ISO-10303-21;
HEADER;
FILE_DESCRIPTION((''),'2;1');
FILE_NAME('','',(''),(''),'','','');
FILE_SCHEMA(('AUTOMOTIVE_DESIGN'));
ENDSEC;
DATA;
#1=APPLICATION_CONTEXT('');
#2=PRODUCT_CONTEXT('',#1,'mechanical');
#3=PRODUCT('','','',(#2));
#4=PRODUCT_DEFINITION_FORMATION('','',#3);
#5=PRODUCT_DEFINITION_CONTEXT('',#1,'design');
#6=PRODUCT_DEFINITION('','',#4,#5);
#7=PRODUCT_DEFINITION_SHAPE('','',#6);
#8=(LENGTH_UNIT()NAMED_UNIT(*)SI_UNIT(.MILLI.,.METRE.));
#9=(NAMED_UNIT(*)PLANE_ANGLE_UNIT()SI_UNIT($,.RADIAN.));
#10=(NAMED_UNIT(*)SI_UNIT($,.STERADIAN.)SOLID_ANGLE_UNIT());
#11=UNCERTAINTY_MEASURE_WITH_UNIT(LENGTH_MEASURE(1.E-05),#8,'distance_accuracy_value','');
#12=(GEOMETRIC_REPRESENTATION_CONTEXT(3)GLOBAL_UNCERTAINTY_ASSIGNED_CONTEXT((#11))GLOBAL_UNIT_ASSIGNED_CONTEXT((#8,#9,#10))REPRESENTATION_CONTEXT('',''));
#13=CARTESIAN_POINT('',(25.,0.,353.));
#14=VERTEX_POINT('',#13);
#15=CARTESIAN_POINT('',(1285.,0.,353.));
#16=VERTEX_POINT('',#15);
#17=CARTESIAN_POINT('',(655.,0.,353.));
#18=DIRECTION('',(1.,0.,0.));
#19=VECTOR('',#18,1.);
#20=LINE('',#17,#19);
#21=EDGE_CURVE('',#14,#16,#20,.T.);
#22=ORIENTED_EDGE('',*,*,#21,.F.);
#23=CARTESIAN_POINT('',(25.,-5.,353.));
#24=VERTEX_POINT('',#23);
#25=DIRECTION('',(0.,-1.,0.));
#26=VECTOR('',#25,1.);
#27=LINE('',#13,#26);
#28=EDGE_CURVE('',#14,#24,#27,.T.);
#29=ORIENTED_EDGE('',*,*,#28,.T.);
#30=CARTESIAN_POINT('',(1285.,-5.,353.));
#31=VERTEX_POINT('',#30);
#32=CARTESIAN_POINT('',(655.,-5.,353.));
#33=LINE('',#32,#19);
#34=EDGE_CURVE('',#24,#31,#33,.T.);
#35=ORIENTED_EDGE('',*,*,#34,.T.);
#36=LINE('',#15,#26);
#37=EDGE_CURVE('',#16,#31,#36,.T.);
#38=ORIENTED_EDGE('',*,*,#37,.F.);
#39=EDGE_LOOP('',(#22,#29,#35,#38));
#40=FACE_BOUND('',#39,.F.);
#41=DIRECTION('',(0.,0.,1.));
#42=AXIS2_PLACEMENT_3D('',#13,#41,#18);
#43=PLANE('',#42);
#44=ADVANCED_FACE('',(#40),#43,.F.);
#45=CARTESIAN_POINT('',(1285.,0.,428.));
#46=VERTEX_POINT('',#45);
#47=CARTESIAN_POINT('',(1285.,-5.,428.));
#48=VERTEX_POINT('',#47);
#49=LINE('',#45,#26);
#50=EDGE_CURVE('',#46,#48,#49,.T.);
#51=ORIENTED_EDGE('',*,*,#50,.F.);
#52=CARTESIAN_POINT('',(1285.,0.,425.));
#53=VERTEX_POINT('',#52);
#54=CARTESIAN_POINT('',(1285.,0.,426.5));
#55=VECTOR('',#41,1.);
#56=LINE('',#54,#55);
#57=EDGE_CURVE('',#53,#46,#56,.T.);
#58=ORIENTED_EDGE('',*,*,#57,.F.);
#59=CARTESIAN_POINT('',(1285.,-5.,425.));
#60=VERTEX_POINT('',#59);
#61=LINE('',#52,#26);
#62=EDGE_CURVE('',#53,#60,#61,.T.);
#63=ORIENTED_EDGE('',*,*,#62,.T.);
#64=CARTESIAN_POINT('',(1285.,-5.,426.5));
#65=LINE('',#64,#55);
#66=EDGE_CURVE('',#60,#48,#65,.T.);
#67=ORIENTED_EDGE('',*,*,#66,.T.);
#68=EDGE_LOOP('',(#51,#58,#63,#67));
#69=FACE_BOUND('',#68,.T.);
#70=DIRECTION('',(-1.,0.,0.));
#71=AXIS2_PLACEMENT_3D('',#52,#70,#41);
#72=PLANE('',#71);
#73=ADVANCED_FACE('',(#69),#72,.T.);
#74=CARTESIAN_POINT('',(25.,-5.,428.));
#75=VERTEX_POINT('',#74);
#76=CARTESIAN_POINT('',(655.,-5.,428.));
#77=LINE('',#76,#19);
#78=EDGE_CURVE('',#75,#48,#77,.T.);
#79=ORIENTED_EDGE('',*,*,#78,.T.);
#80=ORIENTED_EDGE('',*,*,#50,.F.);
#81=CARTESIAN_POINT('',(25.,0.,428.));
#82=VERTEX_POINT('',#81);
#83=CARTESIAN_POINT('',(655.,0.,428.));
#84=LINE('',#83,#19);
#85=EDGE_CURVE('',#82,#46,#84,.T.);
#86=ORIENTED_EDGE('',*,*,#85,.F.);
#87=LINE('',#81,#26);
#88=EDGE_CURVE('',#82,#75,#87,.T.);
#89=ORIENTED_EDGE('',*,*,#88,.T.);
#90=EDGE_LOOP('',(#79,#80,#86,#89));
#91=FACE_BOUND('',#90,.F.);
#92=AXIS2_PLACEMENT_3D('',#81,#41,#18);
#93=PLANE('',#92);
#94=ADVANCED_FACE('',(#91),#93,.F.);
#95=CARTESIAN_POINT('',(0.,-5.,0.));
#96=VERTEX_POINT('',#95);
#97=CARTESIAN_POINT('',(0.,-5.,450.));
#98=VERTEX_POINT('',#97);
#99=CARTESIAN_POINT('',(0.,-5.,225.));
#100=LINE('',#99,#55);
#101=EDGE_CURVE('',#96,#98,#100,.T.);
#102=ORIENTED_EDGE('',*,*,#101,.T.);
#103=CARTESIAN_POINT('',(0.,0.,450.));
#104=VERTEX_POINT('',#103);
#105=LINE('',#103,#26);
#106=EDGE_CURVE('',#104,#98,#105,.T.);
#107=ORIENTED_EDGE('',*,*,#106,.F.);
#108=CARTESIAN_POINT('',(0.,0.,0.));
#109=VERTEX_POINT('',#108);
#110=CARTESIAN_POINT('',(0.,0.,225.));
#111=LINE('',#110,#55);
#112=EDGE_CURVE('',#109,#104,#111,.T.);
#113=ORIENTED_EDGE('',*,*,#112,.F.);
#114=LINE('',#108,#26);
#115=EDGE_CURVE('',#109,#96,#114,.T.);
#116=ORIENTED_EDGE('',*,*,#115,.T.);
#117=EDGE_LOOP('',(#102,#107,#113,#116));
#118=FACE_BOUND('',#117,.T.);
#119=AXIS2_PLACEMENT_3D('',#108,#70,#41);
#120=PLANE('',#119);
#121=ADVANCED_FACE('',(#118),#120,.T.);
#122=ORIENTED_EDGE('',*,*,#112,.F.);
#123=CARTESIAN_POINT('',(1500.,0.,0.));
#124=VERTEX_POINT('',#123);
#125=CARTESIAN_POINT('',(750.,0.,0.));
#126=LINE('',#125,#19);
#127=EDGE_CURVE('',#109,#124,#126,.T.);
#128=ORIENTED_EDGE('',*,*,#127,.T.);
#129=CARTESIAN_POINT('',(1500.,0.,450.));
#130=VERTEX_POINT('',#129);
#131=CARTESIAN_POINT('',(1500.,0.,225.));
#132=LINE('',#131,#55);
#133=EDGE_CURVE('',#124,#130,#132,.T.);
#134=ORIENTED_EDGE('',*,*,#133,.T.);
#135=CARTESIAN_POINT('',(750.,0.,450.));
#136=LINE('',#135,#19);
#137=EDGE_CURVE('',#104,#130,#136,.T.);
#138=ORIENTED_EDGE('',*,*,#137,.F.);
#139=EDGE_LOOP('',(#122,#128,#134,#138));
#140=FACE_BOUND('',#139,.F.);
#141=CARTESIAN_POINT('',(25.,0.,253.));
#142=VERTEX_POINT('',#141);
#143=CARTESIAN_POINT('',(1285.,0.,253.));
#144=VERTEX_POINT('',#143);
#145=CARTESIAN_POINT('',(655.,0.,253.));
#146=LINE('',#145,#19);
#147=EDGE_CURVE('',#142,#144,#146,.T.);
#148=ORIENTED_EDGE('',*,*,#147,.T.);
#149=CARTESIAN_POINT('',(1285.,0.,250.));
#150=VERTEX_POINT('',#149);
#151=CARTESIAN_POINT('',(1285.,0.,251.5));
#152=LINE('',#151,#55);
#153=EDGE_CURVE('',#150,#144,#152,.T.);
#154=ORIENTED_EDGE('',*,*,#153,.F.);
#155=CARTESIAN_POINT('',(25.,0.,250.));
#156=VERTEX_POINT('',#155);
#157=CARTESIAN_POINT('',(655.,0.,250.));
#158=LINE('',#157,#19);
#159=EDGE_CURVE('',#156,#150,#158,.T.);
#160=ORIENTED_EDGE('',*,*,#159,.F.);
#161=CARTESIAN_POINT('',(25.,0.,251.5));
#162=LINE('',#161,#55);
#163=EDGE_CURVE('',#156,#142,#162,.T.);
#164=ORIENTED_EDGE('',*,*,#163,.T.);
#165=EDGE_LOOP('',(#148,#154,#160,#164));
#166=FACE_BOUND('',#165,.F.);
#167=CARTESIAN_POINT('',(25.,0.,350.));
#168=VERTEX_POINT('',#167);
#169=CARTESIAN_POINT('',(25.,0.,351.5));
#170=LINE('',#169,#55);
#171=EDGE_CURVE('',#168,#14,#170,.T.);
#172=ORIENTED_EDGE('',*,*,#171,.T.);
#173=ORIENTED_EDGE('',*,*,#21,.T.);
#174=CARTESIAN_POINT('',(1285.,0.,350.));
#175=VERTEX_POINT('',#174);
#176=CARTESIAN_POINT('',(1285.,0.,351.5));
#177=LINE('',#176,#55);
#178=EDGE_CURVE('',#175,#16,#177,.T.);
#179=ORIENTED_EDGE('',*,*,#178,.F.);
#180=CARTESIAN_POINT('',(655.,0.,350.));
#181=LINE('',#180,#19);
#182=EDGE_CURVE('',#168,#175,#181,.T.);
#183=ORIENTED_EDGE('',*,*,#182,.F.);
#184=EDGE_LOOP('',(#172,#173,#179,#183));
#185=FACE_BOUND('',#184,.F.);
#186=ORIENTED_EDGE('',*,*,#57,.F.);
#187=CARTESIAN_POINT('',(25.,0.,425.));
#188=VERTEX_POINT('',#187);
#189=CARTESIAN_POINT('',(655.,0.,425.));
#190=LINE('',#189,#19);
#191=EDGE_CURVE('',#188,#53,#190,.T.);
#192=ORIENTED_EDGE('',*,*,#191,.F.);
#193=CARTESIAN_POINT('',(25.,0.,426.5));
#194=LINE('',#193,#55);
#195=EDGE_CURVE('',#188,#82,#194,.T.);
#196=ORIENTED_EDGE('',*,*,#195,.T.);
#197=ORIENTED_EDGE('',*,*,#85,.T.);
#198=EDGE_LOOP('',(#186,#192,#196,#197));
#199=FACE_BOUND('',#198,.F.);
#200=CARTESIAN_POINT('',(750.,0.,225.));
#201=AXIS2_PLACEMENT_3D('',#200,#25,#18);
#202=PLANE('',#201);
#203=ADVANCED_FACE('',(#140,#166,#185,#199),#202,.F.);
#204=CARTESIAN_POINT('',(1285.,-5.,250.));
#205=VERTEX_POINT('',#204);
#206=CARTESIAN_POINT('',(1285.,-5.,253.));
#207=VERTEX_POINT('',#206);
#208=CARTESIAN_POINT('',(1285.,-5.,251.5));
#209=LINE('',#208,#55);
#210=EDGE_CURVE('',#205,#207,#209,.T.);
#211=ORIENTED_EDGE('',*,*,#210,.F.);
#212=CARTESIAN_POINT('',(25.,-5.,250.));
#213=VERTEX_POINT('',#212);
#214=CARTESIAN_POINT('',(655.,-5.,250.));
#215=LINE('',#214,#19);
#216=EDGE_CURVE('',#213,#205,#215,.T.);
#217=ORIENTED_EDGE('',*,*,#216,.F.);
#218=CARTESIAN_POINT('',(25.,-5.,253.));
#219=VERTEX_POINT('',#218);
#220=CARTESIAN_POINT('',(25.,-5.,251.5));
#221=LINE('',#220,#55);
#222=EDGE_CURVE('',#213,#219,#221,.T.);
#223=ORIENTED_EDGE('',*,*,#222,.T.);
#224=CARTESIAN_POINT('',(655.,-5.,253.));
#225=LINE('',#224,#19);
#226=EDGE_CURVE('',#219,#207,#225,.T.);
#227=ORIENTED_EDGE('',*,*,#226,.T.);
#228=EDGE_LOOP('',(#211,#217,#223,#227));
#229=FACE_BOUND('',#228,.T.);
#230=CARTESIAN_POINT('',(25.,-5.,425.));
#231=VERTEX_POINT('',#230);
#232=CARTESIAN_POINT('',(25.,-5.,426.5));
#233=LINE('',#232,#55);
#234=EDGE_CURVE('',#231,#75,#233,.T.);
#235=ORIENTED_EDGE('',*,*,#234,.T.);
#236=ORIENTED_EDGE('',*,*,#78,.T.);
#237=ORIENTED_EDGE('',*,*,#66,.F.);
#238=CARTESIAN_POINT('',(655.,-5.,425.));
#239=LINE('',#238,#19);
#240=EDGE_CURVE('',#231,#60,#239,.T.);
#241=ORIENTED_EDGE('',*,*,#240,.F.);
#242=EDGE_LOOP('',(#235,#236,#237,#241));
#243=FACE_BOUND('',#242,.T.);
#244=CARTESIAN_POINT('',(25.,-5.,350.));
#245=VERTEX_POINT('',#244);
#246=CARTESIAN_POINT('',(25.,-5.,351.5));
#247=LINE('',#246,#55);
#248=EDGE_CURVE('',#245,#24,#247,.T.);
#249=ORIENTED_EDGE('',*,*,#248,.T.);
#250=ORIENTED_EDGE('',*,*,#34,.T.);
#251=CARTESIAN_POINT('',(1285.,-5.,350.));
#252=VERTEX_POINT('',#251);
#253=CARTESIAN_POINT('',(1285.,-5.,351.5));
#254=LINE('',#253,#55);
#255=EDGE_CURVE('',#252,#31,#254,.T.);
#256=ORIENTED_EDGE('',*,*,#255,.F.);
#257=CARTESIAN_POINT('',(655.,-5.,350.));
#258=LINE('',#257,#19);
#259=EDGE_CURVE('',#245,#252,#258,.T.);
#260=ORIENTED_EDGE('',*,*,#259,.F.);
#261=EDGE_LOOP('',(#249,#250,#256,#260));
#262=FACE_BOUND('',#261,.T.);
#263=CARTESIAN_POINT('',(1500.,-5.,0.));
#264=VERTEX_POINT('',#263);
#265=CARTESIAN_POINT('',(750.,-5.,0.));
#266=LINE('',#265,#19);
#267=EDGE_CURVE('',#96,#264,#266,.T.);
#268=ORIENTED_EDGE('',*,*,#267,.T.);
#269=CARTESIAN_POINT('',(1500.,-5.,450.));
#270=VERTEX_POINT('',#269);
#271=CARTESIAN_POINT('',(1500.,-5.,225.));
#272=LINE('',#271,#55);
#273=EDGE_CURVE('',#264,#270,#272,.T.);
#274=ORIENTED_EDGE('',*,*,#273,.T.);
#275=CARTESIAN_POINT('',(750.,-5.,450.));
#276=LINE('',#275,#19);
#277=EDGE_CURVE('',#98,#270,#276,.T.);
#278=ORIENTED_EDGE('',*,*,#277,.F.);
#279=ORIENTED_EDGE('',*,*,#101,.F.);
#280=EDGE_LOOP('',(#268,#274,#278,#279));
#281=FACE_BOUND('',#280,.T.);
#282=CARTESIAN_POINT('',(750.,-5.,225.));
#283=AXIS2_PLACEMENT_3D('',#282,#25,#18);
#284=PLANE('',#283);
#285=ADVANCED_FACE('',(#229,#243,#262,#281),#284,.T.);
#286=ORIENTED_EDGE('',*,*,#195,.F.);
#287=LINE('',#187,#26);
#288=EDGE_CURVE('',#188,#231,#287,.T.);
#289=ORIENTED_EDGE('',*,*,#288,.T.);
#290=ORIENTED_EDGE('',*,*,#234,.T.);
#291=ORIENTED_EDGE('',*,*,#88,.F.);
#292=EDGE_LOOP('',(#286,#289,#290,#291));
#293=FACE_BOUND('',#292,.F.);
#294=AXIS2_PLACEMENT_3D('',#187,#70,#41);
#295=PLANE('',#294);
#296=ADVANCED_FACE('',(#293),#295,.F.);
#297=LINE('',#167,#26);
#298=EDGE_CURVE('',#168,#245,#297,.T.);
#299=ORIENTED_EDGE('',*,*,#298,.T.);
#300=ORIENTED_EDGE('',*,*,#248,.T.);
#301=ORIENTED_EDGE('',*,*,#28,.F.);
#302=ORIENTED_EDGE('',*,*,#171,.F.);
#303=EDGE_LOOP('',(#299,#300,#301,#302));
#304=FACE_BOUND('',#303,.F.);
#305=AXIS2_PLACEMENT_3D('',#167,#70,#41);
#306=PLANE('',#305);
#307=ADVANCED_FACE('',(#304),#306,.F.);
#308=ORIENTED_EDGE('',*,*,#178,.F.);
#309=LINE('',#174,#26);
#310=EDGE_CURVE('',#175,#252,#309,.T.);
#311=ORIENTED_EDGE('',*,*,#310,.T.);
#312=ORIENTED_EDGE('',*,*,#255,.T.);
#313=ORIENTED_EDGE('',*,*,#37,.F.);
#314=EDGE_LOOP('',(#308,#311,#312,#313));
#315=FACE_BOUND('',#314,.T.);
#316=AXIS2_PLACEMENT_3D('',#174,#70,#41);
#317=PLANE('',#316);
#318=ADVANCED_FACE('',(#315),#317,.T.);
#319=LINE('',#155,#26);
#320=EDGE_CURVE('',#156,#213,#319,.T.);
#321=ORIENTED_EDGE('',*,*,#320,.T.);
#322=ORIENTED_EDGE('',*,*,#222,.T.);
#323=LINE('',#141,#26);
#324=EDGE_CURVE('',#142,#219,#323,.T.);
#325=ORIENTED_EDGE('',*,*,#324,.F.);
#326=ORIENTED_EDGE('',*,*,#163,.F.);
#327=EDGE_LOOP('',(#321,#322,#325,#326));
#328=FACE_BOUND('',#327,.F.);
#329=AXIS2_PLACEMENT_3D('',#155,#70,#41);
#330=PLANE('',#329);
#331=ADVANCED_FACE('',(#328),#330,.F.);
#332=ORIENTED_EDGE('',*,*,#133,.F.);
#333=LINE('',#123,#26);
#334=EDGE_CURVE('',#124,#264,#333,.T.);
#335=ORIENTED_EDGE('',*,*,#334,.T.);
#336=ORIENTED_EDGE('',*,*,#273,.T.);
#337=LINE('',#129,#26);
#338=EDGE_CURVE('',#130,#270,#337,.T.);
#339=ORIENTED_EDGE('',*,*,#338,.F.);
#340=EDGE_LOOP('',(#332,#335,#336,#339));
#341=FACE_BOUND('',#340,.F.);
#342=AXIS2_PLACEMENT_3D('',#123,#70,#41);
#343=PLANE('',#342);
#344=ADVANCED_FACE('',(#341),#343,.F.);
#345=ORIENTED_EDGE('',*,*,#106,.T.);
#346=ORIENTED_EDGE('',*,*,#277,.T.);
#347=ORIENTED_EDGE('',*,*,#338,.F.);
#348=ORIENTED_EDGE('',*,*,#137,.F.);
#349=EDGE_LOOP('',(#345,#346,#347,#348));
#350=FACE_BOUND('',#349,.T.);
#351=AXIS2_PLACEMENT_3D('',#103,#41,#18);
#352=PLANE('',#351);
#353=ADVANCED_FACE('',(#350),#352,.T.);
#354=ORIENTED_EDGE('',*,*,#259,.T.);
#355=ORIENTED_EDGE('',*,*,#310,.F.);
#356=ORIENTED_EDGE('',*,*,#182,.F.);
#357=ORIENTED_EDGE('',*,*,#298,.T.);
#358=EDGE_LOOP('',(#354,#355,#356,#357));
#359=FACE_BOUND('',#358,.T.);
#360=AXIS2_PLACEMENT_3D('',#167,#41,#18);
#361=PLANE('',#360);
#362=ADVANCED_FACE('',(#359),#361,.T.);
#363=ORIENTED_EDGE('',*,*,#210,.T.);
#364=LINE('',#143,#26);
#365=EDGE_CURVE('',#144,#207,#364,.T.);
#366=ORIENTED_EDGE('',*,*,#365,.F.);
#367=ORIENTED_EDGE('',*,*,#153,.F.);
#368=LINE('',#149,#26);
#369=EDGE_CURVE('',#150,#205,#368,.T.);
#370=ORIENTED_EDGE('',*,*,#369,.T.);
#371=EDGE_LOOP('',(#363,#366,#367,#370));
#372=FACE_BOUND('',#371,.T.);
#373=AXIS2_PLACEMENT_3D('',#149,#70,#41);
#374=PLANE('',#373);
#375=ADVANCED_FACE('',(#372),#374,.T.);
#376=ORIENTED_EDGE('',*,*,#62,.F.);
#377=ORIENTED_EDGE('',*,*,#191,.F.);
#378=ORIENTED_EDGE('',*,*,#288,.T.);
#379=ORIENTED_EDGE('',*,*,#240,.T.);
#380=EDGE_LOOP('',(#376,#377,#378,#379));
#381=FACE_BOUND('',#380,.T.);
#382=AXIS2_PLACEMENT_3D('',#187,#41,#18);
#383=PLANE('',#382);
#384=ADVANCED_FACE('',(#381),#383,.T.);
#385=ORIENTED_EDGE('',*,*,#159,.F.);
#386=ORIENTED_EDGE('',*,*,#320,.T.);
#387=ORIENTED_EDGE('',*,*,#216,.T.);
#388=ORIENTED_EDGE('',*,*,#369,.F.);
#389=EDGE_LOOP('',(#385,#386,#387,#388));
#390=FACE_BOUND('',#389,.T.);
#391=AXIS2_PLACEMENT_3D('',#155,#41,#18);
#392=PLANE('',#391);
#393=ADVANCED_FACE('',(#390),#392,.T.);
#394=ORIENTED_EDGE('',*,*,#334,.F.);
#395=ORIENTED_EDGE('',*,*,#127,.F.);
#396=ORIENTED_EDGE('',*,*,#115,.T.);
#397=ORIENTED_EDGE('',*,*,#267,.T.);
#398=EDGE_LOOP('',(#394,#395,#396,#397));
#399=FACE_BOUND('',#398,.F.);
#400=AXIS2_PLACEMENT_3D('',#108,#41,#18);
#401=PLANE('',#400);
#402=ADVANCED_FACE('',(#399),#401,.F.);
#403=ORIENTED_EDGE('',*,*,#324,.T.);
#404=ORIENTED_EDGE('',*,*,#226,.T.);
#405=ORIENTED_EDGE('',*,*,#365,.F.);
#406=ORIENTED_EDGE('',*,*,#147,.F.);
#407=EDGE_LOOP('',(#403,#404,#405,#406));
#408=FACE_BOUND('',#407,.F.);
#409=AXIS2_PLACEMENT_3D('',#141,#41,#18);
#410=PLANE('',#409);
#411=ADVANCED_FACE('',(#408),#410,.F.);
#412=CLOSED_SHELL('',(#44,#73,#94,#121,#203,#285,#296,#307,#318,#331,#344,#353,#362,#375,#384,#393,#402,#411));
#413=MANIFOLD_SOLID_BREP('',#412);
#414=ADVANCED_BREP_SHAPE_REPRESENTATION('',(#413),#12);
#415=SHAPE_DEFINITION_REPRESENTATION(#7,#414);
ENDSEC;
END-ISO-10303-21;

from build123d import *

# Parameters (mm, degrees)
F0_W     = 1500
F0_H     = 450
F0_W_2   = 1260
F0_H_2   = 3
F1_DEPTH = 5


with BuildPart() as f1:
    # F0 (on Front) → F1 (new body)
    with BuildSketch(Plane.XZ):
        with Locations((750, 225)):
            Rectangle(F0_W, F0_H)
        with Locations((655, 251.5)):
            Rectangle(F0_W_2, F0_H_2, mode=Mode.SUBTRACT)
        with Locations((655, 351.5)):
            Rectangle(F0_W_2, F0_H_2, mode=Mode.SUBTRACT)
        with Locations((655, 426.5)):
            Rectangle(F0_W_2, F0_H_2, mode=Mode.SUBTRACT)
    extrude(amount=F1_DEPTH)


solid = f1.part
